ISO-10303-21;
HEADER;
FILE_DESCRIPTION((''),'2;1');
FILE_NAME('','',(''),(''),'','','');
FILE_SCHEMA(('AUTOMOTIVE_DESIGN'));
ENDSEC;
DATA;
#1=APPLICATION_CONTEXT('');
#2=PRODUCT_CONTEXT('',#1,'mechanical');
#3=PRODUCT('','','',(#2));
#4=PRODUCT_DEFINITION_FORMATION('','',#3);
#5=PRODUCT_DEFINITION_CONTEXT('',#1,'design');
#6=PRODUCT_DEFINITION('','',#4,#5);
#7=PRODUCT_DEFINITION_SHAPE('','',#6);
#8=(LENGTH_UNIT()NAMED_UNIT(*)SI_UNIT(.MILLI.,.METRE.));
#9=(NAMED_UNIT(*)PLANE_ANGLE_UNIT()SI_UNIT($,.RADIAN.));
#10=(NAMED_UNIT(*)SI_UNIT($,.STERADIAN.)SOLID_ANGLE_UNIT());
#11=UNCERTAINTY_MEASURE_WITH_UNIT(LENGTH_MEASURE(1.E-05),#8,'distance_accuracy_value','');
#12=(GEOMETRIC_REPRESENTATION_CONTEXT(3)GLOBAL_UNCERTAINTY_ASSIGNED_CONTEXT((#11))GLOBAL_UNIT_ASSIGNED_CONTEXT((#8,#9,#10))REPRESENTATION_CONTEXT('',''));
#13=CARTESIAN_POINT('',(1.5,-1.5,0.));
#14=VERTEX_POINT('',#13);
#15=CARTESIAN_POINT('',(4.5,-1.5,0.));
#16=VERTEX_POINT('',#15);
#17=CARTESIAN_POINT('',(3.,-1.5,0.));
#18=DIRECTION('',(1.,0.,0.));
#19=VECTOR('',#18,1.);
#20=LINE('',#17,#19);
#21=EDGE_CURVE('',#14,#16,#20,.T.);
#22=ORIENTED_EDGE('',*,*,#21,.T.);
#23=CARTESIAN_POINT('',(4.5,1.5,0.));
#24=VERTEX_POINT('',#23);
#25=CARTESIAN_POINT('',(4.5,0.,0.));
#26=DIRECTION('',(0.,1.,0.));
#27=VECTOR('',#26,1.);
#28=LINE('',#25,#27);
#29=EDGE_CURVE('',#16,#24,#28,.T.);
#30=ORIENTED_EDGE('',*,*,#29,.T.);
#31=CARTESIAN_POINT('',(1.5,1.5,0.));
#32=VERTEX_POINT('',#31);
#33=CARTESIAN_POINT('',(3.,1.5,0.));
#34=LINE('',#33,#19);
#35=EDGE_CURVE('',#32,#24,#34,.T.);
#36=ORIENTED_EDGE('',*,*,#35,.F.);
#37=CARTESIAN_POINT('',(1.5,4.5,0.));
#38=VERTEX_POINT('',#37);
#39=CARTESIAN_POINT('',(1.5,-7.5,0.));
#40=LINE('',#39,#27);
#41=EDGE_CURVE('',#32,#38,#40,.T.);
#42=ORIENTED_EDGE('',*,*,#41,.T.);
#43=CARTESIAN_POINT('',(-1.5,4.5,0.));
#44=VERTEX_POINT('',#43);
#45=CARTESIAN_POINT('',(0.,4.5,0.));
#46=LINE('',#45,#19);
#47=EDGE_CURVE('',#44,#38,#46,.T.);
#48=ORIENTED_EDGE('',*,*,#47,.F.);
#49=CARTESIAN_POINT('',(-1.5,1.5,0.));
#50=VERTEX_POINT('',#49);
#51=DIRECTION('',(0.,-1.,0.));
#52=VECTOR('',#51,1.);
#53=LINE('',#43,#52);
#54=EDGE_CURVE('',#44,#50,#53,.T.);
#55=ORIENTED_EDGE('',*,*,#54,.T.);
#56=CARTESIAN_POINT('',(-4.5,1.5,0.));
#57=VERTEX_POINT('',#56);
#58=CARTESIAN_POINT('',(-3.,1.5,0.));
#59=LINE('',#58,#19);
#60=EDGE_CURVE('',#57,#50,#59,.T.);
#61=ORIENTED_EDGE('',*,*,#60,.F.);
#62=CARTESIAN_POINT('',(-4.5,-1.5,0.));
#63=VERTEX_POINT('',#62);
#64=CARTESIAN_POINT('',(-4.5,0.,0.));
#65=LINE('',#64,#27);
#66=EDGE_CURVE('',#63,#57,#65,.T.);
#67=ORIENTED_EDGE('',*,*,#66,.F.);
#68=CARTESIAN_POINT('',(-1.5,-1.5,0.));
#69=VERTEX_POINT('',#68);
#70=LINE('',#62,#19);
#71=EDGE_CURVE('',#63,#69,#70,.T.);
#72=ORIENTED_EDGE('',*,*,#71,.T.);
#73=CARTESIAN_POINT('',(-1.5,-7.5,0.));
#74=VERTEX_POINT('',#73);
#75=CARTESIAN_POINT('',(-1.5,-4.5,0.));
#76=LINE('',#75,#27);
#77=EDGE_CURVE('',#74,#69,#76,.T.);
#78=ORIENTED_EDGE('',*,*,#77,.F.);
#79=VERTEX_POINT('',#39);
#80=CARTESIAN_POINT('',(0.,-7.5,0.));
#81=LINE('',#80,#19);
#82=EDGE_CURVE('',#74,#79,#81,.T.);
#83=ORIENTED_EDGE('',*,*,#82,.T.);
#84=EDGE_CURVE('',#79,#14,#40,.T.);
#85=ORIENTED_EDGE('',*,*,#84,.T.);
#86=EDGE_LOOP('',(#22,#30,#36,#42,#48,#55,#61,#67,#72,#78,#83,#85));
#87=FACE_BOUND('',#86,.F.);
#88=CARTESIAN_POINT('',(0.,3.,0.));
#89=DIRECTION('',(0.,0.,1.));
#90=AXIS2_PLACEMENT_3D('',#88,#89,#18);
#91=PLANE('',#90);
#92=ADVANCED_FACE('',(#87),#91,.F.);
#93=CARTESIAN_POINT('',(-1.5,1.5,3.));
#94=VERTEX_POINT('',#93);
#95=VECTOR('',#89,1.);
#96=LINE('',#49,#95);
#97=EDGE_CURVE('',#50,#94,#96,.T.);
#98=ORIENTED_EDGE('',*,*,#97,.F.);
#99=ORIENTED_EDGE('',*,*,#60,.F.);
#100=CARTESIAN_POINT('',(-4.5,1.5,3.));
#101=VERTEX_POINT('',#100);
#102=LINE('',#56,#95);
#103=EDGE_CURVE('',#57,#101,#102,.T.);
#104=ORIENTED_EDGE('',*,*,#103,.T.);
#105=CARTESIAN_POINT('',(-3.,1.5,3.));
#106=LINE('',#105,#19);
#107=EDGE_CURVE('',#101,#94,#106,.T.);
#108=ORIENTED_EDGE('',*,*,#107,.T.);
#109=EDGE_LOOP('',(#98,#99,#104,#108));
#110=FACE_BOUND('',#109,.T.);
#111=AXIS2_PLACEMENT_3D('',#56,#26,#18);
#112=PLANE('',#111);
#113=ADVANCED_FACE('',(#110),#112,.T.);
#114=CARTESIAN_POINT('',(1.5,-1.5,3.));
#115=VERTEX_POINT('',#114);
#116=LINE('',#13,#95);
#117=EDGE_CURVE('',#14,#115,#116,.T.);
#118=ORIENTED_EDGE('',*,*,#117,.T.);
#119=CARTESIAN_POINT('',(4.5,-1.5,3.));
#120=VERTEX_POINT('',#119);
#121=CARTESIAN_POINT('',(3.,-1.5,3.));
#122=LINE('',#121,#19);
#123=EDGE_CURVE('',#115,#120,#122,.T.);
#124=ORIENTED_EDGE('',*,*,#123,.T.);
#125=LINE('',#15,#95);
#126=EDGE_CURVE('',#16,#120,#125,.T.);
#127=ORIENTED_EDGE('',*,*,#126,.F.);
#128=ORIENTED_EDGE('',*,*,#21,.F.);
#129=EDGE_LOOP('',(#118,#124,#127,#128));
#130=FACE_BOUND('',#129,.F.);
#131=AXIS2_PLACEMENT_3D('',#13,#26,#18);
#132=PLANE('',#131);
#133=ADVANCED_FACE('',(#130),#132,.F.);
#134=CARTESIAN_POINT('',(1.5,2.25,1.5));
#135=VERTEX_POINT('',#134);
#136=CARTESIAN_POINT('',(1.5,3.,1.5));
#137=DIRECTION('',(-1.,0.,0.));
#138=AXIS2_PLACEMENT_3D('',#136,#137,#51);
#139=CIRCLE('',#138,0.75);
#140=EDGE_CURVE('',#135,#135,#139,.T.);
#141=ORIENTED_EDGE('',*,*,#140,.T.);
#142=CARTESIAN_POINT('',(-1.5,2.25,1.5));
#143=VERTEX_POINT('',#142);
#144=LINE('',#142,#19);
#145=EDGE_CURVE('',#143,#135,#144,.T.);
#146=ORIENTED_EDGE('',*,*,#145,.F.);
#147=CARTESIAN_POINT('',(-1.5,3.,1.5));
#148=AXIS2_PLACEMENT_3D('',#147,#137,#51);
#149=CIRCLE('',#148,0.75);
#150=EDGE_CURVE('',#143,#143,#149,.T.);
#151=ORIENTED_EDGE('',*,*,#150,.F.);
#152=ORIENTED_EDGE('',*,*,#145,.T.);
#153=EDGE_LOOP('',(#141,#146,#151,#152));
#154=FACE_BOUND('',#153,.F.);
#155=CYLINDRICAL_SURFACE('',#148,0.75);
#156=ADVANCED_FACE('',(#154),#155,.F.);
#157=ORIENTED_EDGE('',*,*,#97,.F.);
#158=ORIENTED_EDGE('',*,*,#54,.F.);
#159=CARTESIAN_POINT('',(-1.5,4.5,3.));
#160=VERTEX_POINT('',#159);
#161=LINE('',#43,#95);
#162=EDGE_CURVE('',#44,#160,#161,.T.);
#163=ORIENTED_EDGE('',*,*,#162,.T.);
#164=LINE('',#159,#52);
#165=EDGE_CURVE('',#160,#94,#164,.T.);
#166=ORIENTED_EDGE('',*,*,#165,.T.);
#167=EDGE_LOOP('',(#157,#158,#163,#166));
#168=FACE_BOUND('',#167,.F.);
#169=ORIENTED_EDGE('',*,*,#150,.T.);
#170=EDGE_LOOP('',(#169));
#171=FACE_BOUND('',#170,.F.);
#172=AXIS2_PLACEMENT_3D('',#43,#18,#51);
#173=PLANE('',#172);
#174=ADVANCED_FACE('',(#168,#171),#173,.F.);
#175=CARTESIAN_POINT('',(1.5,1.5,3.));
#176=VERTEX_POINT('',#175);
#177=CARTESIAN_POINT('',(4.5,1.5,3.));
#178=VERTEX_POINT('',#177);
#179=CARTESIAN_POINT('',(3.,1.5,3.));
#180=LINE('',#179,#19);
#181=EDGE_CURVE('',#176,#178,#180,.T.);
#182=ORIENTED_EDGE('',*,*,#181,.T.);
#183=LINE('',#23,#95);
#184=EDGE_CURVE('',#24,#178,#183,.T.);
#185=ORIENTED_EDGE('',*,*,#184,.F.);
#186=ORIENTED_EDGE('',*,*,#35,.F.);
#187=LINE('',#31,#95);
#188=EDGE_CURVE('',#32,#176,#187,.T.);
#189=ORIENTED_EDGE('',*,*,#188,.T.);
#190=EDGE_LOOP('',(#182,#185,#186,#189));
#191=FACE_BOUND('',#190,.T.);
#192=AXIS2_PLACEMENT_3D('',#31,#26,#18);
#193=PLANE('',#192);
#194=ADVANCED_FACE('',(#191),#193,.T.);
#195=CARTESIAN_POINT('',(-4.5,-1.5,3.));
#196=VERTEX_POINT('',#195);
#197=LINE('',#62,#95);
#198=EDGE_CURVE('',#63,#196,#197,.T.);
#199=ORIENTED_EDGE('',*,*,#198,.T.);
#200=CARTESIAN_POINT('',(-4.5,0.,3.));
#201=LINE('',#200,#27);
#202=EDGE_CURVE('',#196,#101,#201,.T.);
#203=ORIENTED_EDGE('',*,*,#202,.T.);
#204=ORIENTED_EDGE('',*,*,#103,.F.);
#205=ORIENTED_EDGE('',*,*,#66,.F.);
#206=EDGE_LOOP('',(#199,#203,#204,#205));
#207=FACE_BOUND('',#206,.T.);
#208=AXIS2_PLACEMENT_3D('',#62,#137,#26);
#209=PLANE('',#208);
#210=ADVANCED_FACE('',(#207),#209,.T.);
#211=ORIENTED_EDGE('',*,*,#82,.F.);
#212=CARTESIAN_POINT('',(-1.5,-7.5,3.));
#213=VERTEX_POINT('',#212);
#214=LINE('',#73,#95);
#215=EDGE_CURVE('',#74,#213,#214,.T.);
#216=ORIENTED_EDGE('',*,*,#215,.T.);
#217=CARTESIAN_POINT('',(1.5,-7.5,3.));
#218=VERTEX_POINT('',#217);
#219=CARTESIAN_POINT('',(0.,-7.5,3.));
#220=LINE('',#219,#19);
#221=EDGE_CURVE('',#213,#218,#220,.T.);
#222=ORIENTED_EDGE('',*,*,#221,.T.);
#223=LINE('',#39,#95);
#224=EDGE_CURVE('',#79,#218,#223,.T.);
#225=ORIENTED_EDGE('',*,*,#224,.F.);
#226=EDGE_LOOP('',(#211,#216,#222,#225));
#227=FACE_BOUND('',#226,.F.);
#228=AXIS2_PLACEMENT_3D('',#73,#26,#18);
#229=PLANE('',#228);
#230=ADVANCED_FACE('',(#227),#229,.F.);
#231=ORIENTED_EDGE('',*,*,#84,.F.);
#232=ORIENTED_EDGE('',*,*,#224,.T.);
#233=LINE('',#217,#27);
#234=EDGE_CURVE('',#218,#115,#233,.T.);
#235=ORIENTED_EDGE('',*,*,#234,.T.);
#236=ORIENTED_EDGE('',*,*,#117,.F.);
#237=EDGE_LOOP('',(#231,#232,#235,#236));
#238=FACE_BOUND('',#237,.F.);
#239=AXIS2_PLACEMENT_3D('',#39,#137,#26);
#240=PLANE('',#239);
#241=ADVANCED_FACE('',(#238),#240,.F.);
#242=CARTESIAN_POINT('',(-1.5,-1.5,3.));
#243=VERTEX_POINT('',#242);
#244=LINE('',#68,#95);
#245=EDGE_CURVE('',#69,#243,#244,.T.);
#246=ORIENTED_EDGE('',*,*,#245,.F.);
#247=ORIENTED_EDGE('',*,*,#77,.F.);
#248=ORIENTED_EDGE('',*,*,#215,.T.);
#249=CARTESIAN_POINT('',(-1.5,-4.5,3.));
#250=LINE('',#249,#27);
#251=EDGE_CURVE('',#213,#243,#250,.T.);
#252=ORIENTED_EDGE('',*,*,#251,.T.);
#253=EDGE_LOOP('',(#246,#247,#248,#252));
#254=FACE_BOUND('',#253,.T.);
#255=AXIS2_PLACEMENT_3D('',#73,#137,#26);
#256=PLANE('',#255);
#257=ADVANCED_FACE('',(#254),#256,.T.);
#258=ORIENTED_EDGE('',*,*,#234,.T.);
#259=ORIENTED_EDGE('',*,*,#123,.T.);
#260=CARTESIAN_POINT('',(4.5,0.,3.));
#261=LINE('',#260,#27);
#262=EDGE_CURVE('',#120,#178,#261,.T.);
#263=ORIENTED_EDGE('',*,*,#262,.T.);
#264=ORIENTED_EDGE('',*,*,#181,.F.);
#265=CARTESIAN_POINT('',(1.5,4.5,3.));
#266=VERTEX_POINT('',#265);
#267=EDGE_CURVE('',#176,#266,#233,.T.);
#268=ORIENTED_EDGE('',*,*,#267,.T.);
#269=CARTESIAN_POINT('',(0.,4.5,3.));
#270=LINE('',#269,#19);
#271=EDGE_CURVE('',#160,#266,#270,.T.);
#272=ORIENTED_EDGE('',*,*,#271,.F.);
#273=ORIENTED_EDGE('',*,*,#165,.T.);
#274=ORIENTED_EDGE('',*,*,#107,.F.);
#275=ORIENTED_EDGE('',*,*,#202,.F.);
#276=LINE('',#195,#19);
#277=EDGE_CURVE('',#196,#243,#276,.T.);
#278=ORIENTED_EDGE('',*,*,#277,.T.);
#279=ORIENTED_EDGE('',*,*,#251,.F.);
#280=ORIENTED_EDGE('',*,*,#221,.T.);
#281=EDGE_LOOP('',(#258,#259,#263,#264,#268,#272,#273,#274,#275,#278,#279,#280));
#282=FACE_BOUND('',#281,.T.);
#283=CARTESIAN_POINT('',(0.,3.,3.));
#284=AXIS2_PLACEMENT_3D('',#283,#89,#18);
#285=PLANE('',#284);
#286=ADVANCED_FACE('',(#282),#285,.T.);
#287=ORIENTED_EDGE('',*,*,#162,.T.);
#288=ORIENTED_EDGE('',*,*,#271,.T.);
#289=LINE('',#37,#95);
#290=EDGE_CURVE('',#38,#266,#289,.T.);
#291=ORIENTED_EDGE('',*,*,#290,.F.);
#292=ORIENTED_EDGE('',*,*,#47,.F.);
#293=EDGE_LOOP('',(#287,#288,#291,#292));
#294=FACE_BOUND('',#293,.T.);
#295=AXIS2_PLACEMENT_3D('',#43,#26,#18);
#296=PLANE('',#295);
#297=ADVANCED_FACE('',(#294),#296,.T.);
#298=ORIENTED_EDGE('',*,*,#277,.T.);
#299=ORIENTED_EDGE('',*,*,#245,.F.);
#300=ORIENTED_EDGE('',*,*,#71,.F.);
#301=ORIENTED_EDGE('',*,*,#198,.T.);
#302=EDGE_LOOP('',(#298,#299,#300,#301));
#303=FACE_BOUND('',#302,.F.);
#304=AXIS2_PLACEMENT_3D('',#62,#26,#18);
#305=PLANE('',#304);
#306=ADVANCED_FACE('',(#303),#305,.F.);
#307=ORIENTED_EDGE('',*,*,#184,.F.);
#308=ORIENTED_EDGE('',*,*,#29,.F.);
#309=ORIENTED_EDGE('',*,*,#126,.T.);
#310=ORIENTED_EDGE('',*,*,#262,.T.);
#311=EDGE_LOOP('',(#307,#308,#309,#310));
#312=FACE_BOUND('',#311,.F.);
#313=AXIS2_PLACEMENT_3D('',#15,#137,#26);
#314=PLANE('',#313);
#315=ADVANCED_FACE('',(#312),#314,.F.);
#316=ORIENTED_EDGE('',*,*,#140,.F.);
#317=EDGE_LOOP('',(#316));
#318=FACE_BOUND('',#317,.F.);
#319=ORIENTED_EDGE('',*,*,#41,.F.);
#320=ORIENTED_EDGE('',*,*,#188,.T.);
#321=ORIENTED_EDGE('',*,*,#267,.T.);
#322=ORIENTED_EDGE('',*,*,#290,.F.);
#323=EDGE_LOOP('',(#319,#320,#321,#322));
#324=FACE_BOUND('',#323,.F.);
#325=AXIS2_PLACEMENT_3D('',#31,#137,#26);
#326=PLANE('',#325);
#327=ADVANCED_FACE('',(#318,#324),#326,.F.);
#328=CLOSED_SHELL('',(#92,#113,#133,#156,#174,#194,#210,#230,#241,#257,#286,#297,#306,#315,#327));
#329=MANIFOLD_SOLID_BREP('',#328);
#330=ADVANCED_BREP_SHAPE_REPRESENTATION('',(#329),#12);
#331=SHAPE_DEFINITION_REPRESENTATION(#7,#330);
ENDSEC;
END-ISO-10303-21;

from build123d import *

# Parameters (mm, degrees)
F0_W     = 3
F0_H     = 3
F0_H_2   = 6
F1_DEPTH = 3
F2_R     = 0.75
F3_DEPTH = 25


with BuildPart() as f1:
    # F0 (on Top) → F1 (new body)
    with BuildSketch(Plane.XY):
        with Locations((0, 3)):
            Rectangle(F0_W, F0_H)
        Rectangle(F0_W, F0_H)
        with Locations((-3, 0)):
            Rectangle(F0_W, F0_H)
        with Locations((0, -4.5)):
            Rectangle(F0_W, F0_H_2)
        with Locations((3, 0)):
            Rectangle(F0_W, F0_H)
    extrude(amount=F1_DEPTH)

    # F2 (on face) → F3 (cut)
    with BuildSketch(Plane(origin=(-1.5, 0, 0), x_dir=(0, -1, 0), z_dir=(-1, 0, 0))):
        with Locations((-3, 1.5)):
            Circle(F2_R)
    extrude(amount=-F3_DEPTH, mode=Mode.SUBTRACT)


solid = f1.part
